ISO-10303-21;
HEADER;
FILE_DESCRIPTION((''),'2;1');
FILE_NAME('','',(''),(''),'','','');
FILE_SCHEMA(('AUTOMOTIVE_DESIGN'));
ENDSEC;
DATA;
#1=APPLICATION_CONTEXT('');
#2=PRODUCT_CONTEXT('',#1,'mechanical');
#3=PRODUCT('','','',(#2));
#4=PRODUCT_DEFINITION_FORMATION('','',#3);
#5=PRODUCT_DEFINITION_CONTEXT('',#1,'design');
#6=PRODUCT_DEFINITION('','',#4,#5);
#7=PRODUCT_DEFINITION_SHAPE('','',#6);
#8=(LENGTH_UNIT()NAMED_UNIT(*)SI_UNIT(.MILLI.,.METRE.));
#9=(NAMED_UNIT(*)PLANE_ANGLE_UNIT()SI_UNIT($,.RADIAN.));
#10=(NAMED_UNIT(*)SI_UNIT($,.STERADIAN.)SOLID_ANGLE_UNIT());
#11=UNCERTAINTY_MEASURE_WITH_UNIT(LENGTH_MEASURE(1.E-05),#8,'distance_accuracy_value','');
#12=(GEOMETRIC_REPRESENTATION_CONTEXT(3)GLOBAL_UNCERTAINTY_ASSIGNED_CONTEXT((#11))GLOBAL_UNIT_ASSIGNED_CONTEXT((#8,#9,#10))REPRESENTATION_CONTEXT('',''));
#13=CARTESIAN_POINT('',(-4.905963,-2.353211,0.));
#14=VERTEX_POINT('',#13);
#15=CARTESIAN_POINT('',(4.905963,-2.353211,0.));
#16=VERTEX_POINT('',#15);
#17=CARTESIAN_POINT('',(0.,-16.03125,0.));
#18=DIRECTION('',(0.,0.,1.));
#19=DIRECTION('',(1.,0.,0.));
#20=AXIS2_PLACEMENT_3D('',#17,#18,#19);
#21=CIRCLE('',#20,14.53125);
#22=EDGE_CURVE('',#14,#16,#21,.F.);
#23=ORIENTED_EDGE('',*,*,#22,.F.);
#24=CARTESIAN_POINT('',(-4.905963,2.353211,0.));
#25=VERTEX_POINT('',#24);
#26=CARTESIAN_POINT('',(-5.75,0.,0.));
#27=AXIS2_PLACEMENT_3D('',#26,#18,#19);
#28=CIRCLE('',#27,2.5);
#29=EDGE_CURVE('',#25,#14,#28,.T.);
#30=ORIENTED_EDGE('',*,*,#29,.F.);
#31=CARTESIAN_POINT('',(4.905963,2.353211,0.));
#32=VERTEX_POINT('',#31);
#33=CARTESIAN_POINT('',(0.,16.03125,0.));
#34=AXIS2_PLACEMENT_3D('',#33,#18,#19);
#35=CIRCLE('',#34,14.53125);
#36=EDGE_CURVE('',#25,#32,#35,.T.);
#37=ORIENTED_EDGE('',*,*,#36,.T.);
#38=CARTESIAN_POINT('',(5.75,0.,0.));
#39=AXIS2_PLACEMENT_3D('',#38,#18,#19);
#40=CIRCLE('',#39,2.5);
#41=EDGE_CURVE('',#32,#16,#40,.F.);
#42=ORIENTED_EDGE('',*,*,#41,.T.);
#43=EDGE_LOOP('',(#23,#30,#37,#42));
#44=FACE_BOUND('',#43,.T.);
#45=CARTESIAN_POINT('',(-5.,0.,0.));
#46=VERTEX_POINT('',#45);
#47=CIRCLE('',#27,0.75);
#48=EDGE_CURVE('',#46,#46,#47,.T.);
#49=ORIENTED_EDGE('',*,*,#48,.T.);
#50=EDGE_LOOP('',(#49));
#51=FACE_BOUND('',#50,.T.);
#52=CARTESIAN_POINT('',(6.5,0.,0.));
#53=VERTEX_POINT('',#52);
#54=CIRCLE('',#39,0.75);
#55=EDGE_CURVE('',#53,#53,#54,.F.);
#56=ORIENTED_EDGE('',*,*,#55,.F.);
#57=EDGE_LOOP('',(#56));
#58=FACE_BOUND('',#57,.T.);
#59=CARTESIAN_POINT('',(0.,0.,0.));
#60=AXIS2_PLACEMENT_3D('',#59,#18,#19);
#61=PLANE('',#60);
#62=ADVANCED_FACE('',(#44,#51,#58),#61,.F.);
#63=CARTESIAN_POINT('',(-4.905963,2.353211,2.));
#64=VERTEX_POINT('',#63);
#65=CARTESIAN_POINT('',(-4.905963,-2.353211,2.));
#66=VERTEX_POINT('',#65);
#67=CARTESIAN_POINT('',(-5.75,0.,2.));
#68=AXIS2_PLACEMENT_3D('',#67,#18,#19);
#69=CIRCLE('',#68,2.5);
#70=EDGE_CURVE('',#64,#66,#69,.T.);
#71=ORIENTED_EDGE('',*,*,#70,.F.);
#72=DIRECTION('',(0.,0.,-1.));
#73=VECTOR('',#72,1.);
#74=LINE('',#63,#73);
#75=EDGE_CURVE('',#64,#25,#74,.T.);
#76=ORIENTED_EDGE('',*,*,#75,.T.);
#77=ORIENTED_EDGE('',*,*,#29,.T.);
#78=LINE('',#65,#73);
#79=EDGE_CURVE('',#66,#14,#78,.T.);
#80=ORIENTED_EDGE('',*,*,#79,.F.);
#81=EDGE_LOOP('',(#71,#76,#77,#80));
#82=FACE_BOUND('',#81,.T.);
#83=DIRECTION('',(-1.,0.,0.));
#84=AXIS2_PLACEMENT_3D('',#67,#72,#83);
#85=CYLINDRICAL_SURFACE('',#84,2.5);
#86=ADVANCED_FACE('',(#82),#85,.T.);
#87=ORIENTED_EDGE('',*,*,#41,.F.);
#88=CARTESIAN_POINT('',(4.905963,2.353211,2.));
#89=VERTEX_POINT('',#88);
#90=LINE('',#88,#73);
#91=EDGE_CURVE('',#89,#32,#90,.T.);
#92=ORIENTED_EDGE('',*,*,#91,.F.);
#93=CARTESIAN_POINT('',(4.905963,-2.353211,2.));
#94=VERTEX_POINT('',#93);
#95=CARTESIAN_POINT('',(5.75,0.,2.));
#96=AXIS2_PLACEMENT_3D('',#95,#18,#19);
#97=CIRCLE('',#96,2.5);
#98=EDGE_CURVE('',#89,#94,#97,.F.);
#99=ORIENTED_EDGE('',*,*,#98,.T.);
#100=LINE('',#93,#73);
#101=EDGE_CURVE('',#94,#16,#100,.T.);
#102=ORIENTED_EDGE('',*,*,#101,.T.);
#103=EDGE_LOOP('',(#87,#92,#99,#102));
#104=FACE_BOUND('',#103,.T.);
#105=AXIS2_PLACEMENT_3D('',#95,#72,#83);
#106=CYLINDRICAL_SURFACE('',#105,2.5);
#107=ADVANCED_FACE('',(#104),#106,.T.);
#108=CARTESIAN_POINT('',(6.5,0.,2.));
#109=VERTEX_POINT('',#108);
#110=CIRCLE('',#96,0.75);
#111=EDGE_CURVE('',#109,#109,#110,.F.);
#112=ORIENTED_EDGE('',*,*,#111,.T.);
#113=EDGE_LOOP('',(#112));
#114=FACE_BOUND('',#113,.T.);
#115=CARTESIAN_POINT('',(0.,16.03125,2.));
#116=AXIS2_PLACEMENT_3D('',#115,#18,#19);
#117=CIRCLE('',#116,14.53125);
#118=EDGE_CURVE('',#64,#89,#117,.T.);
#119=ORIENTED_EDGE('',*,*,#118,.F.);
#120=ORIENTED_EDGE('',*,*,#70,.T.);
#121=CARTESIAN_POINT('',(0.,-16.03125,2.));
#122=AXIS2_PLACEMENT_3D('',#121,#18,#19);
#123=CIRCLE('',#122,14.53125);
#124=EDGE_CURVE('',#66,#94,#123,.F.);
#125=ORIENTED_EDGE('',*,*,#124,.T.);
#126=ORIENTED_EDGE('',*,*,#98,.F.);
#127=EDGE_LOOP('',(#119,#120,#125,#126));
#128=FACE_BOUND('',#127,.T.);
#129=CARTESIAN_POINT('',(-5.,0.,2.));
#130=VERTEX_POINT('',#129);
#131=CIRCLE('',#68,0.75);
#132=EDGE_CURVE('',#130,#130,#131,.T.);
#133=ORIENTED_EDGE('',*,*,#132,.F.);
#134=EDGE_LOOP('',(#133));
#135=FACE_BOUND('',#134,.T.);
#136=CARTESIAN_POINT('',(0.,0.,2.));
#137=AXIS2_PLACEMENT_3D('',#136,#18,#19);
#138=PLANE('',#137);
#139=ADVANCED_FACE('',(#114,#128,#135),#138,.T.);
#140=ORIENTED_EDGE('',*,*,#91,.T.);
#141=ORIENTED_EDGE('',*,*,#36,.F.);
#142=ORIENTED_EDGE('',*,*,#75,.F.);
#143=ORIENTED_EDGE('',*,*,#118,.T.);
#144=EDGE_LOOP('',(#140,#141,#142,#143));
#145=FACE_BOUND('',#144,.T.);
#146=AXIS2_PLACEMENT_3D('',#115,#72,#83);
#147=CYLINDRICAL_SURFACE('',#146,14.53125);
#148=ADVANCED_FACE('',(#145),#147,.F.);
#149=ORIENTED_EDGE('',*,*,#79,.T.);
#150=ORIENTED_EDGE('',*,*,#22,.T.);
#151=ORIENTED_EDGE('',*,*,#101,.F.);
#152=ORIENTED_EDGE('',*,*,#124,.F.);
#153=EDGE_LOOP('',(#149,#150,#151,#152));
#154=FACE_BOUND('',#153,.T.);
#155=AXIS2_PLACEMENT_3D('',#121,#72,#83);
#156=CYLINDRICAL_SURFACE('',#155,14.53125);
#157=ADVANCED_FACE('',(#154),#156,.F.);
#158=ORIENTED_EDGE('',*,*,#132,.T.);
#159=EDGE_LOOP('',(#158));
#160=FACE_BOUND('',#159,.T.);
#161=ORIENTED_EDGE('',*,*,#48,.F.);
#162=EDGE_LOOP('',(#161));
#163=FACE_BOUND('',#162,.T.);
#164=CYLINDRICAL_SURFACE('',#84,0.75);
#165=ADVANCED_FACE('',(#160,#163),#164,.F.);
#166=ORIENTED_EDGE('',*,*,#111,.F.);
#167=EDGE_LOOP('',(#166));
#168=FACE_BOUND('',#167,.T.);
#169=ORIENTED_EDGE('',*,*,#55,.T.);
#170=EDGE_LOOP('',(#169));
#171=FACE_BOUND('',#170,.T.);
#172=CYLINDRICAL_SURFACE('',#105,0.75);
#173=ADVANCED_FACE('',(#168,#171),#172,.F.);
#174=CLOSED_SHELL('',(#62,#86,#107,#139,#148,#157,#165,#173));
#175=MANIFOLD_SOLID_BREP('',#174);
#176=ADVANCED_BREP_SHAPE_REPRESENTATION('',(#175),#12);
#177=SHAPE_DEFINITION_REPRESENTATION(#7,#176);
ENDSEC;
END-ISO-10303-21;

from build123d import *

# Parameters (mm, degrees)
SKETCH1_R           = 2.5
SKETCH1_R_2         = 0.75
BOSS_EXTRUDE1_DEPTH = 2


with BuildPart() as part:
    # Sketch1 → Boss-Extrude1 (new body)
    with BuildSketch(Plane.XY):
        with Locations((-5.75, 0)):
            Circle(SKETCH1_R)
        with Locations((-5.75, 0)):
            Circle(SKETCH1_R_2, mode=Mode.SUBTRACT)
        with BuildLine():
            ThreePointArc((-4.905963303, 2.353211009), (-3.705483952, 1.438733515), (-3.25, 0))
            ThreePointArc((-3.25, 0), (-3.705483952, -1.438733515), (-4.905963303, -2.353211009))
            ThreePointArc((-4.905963303, -2.353211009), (0, -1.5), (4.905963303, -2.353211009))
            ThreePointArc((4.905963303, -2.353211009), (3.25, 0), (4.905963303, 2.353211009))
            ThreePointArc((4.905963303, 2.353211009), (0, 1.5), (-4.905963303, 2.353211009))
        make_face()
        with Locations((5.75, 0)):
            Circle(SKETCH1_R)
        with Locations((5.75, 0)):
            Circle(SKETCH1_R_2, mode=Mode.SUBTRACT)
    extrude(amount=BOSS_EXTRUDE1_DEPTH)


solid = part.part
